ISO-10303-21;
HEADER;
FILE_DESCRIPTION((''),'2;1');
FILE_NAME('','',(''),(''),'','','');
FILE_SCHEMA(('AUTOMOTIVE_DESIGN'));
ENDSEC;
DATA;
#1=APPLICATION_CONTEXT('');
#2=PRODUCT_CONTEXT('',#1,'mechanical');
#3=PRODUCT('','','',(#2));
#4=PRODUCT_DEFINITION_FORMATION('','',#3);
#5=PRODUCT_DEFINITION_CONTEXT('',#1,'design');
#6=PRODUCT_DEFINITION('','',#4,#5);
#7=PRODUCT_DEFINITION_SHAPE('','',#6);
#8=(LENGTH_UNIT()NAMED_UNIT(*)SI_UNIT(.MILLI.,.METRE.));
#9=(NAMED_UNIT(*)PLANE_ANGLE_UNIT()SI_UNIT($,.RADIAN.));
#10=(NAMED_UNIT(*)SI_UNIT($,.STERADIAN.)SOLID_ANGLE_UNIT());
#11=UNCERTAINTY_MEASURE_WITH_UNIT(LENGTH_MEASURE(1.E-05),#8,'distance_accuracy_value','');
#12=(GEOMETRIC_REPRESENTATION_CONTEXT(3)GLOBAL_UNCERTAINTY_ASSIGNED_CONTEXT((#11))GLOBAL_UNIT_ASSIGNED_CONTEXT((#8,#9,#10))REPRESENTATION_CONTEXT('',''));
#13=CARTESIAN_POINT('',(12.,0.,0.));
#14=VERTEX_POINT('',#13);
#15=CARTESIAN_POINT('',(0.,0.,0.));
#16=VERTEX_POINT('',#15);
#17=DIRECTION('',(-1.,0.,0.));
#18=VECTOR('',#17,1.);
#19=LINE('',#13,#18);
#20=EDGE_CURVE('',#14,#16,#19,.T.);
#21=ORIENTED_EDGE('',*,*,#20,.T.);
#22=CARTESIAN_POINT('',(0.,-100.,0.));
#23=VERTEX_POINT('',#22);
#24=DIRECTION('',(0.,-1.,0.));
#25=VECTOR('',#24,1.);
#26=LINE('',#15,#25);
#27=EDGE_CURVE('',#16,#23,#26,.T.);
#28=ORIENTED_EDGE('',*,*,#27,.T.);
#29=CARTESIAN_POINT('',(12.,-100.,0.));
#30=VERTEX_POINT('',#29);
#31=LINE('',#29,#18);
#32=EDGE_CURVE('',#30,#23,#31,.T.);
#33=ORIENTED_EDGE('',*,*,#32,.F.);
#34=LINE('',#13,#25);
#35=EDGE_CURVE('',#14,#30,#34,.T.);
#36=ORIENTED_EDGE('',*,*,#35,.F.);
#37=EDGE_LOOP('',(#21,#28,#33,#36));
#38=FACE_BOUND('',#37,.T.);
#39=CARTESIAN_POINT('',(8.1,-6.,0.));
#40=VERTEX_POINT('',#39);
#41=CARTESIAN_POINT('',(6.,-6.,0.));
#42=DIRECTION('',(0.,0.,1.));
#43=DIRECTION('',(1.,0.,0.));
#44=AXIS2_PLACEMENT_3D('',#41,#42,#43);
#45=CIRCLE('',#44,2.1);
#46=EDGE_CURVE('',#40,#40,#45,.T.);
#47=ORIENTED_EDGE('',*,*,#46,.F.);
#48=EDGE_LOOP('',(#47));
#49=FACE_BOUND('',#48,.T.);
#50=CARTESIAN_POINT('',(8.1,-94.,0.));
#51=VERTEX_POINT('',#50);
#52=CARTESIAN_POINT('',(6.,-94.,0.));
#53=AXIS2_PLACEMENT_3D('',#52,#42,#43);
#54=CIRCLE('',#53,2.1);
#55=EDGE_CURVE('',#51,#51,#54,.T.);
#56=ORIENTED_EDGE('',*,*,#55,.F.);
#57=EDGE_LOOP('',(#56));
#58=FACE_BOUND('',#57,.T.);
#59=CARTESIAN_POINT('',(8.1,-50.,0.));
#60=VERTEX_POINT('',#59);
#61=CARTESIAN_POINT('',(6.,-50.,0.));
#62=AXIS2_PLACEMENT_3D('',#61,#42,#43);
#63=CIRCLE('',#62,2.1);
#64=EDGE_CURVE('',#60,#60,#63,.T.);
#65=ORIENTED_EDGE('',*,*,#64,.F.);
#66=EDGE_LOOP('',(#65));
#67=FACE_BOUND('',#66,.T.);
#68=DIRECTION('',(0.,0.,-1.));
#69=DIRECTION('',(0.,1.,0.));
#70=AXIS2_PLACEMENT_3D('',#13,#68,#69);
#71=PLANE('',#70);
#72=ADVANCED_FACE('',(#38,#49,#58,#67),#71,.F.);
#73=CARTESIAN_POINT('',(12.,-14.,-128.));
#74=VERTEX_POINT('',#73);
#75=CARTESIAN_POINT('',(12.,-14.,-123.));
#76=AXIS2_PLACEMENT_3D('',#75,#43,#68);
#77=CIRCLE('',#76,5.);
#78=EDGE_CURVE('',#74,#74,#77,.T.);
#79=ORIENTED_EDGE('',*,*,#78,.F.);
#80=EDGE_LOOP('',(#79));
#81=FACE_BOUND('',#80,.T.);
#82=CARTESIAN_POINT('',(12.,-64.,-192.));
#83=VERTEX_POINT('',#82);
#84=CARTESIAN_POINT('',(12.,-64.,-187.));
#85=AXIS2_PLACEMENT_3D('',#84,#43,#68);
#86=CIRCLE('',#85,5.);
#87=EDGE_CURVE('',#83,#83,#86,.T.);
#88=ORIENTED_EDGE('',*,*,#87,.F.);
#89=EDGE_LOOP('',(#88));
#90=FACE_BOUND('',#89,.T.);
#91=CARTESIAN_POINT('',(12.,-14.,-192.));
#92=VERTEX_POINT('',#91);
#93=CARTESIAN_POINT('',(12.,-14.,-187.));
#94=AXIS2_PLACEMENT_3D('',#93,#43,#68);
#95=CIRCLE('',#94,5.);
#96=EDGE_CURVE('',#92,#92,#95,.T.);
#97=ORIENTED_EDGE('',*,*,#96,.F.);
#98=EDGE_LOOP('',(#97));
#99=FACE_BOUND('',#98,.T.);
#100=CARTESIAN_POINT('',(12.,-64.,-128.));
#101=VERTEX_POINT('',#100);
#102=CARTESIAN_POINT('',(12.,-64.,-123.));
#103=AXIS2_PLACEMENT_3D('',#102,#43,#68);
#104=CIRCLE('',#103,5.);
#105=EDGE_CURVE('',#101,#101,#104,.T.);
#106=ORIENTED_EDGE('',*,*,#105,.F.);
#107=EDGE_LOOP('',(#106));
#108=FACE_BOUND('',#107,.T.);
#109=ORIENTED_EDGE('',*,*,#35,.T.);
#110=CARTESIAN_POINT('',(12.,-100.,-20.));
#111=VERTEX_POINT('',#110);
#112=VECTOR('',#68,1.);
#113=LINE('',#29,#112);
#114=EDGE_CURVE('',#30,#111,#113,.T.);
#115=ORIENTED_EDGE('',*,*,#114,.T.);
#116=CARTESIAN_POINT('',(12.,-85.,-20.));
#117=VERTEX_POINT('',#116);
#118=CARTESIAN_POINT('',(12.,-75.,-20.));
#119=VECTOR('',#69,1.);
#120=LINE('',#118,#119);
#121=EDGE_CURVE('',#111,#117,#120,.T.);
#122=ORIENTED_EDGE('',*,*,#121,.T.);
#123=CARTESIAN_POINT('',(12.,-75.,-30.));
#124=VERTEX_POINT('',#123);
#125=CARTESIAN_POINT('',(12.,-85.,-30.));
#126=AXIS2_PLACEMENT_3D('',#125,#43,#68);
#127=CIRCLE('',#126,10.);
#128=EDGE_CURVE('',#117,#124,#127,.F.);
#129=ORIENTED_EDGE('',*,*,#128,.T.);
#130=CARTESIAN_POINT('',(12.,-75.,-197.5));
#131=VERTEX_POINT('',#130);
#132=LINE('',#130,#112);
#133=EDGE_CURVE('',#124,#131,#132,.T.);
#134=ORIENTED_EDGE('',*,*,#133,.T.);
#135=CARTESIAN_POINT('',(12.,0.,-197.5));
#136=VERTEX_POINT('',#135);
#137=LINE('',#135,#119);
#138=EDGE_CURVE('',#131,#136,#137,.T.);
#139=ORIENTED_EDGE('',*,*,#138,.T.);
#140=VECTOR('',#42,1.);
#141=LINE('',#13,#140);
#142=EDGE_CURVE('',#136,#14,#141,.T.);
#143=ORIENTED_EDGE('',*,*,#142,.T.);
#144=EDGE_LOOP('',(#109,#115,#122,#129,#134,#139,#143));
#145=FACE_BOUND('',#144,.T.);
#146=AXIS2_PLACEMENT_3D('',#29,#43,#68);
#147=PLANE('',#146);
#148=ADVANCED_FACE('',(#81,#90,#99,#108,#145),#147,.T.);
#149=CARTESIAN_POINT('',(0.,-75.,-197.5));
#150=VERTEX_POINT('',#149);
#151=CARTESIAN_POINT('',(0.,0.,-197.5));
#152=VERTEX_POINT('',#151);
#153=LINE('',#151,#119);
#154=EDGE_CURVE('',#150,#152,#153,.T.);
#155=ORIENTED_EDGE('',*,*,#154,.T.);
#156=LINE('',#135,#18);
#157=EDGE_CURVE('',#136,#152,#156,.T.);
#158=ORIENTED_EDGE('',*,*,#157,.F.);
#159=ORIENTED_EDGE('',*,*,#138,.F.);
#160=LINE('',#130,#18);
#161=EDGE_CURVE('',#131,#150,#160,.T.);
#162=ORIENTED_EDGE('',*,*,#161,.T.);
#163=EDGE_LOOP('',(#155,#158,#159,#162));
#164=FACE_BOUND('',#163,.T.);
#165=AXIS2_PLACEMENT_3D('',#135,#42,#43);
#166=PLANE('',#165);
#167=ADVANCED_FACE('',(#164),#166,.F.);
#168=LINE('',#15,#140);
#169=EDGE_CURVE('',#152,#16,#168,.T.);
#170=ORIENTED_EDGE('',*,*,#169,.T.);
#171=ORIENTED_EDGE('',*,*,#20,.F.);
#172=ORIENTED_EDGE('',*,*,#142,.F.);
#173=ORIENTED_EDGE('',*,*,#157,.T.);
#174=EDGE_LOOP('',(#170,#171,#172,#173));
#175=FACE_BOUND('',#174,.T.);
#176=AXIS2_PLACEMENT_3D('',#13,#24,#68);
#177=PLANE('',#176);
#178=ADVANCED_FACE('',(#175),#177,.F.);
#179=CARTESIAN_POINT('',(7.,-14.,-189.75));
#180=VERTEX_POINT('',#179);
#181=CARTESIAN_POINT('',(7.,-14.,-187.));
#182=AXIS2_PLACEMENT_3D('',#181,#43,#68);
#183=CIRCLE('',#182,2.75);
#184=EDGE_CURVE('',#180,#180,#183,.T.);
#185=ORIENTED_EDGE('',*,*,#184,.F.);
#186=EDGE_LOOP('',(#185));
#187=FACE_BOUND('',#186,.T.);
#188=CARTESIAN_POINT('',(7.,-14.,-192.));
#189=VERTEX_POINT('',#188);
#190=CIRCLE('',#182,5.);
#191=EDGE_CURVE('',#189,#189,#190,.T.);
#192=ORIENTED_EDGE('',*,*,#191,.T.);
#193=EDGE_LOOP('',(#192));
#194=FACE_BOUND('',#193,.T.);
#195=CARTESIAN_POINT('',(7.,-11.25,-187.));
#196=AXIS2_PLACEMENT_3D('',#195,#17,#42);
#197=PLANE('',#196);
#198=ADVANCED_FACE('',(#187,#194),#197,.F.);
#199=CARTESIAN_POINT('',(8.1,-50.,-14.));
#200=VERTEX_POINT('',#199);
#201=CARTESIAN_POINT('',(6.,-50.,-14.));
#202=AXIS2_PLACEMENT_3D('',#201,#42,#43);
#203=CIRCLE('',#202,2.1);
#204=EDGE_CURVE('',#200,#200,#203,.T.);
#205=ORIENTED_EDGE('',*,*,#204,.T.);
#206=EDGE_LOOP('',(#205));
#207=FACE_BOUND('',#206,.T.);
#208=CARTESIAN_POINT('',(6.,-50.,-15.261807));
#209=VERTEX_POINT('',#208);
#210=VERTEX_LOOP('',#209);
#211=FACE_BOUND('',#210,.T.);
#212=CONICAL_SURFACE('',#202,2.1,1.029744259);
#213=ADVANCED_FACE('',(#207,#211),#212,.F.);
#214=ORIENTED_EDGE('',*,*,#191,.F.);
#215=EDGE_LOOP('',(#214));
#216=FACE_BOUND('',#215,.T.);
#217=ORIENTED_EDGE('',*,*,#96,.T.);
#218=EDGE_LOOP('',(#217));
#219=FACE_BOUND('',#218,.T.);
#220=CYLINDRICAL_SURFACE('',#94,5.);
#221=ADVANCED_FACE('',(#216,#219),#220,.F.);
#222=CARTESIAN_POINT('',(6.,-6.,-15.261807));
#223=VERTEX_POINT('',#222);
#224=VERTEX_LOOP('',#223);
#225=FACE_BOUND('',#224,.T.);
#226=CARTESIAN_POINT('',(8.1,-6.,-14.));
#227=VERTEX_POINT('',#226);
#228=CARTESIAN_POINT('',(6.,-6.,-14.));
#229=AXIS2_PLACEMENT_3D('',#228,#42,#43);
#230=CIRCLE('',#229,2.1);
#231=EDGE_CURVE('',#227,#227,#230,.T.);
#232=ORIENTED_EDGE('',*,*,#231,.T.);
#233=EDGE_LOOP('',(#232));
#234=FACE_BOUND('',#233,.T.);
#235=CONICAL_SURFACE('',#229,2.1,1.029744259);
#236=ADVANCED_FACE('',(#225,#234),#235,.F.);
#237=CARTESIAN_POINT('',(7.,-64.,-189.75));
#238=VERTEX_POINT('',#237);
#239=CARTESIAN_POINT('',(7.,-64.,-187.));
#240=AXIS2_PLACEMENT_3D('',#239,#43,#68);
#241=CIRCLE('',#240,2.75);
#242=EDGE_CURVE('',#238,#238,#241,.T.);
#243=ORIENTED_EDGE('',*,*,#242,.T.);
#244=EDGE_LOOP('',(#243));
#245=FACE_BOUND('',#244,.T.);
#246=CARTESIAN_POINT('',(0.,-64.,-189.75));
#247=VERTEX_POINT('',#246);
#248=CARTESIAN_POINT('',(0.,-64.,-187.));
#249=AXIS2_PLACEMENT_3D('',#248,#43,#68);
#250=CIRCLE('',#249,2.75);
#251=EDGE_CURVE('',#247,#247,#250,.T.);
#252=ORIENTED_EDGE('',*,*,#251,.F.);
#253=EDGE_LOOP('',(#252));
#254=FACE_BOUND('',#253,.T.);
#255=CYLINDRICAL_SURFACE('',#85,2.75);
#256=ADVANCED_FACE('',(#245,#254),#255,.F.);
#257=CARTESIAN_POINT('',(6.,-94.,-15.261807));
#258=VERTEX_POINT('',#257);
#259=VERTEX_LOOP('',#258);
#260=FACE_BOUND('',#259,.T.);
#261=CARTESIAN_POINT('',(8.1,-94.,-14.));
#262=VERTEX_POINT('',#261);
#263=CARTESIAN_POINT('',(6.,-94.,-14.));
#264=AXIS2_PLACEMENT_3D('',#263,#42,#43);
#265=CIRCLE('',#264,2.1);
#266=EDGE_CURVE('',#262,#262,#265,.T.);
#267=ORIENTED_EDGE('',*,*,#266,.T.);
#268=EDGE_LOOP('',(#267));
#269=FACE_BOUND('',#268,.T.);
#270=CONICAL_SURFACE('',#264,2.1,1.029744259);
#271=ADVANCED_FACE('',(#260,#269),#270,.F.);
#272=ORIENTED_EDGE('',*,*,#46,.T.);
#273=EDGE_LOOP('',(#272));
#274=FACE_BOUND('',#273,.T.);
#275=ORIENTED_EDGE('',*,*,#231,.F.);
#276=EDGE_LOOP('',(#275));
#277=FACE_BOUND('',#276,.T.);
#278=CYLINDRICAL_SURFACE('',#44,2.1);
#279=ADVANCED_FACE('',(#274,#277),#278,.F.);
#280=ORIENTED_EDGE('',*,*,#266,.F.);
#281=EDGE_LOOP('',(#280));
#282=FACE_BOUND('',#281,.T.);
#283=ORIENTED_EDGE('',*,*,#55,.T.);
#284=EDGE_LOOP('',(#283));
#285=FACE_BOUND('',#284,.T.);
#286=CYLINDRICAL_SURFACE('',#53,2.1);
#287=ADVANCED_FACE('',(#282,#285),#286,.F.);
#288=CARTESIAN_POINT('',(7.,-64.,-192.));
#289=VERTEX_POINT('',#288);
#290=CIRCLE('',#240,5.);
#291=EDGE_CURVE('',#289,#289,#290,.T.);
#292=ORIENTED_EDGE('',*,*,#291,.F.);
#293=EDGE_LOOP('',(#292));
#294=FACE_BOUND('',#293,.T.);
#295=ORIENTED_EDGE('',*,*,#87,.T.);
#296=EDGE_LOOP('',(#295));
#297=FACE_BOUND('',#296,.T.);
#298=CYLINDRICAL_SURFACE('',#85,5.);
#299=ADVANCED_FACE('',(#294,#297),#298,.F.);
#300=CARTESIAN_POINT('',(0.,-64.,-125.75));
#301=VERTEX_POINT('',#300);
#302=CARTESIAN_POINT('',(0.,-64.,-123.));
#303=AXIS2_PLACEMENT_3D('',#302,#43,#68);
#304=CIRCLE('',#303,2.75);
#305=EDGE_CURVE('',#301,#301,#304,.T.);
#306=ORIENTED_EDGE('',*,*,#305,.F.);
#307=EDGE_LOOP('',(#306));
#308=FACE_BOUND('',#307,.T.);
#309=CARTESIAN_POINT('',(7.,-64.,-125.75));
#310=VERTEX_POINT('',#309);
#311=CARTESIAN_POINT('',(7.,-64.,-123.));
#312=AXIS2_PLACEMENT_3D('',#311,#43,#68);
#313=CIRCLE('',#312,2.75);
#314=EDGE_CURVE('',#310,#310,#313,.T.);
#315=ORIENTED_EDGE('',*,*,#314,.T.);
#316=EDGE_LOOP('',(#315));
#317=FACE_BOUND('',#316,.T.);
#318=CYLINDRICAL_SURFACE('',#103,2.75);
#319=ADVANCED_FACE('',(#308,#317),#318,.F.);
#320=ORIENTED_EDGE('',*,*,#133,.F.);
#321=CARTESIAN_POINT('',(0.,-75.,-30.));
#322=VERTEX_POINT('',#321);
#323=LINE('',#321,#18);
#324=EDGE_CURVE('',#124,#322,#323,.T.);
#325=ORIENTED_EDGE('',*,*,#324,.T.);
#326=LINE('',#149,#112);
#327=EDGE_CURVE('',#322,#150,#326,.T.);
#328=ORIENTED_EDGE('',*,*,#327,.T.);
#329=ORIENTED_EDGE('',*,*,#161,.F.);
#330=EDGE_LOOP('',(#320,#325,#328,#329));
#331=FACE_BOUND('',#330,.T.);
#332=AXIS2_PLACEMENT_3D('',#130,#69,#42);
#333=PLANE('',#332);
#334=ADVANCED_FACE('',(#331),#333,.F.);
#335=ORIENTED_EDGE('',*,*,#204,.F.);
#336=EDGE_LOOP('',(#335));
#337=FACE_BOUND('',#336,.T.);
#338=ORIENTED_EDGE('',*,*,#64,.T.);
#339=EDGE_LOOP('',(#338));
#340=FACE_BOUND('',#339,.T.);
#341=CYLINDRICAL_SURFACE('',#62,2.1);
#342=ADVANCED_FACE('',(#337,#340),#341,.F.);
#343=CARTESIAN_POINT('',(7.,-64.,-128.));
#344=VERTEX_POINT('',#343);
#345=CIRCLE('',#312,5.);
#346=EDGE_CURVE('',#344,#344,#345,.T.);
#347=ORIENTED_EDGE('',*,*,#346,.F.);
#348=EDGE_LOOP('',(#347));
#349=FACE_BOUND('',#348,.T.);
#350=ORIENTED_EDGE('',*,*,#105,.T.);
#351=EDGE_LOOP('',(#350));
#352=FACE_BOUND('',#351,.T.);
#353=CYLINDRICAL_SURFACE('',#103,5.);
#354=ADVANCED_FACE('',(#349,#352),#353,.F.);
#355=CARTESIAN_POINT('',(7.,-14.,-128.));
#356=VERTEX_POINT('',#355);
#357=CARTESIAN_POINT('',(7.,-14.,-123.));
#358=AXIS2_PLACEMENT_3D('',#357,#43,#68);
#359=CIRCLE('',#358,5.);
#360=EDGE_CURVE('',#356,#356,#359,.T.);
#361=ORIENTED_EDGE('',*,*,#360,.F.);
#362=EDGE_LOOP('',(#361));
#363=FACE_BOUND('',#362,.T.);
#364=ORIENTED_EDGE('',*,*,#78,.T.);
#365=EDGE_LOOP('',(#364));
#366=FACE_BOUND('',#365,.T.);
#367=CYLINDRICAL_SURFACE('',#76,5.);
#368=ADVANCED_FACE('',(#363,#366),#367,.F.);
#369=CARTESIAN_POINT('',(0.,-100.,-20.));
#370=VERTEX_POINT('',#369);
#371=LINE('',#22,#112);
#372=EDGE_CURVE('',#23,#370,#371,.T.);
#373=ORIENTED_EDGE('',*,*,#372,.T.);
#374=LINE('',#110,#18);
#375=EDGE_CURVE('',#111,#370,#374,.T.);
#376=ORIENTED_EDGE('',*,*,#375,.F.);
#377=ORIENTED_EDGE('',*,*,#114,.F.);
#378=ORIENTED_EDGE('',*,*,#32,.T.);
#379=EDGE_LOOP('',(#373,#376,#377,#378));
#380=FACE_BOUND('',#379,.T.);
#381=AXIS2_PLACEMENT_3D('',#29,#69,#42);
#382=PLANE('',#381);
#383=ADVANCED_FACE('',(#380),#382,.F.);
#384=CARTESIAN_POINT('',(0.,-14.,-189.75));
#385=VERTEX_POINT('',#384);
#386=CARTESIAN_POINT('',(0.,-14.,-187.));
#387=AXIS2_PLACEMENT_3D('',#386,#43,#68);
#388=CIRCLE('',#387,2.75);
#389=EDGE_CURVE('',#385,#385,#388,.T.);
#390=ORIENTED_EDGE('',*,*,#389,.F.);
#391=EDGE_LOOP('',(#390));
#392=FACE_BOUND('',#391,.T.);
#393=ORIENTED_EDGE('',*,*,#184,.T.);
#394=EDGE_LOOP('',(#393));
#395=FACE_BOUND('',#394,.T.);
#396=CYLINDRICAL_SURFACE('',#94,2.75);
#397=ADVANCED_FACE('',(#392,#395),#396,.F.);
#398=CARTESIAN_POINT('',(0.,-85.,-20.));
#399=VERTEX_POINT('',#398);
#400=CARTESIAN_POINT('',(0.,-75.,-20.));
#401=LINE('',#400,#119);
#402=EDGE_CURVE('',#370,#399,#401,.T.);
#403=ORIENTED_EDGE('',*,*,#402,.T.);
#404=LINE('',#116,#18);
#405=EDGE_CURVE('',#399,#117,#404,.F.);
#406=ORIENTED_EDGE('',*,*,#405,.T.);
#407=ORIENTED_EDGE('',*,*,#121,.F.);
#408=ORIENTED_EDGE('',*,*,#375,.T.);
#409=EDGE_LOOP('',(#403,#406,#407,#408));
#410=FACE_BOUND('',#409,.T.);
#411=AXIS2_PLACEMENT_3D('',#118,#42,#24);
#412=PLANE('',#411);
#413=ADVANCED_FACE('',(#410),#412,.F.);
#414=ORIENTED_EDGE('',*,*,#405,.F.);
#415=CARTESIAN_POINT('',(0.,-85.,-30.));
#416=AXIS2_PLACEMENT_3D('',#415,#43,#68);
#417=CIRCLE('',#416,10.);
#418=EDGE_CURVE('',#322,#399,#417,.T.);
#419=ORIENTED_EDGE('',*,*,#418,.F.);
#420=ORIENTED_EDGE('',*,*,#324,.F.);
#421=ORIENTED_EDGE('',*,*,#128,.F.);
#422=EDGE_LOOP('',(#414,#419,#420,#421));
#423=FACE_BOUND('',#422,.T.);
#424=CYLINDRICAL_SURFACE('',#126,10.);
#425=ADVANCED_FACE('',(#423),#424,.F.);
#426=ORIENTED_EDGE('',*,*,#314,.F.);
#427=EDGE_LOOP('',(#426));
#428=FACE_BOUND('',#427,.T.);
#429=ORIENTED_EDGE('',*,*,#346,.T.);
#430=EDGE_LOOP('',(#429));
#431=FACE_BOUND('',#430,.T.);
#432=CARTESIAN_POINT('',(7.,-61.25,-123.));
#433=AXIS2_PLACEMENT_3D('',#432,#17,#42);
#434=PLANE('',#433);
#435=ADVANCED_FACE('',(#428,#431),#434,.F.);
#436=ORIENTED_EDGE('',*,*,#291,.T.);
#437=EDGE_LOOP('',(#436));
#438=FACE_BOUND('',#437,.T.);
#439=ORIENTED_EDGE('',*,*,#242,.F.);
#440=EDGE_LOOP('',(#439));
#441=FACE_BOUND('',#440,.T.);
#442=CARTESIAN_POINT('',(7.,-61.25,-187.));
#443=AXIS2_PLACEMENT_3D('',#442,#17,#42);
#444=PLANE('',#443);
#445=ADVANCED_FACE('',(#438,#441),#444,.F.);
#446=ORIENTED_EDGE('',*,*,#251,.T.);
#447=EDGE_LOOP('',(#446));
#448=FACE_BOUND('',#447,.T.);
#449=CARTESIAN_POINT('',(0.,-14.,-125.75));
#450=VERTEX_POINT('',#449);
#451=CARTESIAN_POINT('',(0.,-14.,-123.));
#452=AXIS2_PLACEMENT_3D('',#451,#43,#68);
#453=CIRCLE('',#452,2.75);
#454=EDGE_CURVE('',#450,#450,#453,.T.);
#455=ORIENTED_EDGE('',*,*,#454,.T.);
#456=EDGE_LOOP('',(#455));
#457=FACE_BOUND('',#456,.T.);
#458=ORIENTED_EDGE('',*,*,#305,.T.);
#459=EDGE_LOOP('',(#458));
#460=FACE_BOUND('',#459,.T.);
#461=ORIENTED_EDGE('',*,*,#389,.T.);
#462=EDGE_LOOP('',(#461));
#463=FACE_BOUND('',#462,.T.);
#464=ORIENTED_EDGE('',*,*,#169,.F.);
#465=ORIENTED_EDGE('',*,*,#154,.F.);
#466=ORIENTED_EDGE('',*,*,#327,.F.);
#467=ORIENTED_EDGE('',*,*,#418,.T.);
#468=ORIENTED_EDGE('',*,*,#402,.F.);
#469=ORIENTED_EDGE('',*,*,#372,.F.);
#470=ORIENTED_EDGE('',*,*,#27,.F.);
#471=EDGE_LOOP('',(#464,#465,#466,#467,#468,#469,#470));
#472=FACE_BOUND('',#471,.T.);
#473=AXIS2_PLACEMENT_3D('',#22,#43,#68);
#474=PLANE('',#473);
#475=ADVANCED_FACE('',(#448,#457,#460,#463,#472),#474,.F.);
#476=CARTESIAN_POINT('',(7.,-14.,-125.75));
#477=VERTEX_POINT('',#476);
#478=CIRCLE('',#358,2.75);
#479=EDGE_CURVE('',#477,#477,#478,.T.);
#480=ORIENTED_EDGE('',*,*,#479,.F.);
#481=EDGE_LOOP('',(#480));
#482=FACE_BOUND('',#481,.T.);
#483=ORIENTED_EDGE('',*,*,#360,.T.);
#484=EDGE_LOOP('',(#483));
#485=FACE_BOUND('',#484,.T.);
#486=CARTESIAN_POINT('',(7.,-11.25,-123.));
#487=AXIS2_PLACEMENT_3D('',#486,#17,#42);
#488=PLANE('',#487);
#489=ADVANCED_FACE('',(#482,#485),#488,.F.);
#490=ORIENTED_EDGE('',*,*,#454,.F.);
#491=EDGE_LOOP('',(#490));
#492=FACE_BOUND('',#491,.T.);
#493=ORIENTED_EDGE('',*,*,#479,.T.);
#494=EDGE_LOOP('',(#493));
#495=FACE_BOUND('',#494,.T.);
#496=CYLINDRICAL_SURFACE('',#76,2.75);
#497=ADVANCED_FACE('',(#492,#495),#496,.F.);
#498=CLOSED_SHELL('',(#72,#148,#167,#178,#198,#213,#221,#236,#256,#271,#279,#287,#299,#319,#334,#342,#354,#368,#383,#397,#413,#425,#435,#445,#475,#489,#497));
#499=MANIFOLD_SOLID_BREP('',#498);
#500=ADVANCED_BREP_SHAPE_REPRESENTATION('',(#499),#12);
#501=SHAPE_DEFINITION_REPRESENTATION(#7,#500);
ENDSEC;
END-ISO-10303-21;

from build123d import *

# Parameters (mm, degrees)
BOSS_EXTRUDE1_DEPTH                             = 12
FILLET1_R                                       = 10
M5X0_8_TAPPED_HOLE1_D                           = 4.2
M5X0_8_TAPPED_HOLE1_DEPTH                       = 14
M5X0_8_TAPPED_HOLE1_TIP                         = 1.2618073
CBORE_FOR_M5_SOCKET_HEAD_CAP_SCREW1_D           = 5.5
CBORE_FOR_M5_SOCKET_HEAD_CAP_SCREW1_CBORE_D     = 10
CBORE_FOR_M5_SOCKET_HEAD_CAP_SCREW1_CBORE_DEPTH = 5


with BuildPart() as part:
    # Sketch1 → Boss-Extrude1 (new body)
    with BuildSketch(Plane(origin=(0, 0, 0), x_dir=(0, 0, -1), z_dir=(1, 0, 0))):
        Polygon((0, 0), (197.5, 0), (197.5, -75), (20, -75), (20, -100), (0, -100), align=None)
    extrude(amount=BOSS_EXTRUDE1_DEPTH)

    # Fillet1
    fillet1_edges = [part.edges().sort_by_distance(p)[0] for p in [
        (6, -75, -20),
    ]]
    fillet(fillet1_edges, radius=FILLET1_R)

    # M5x0.8 Tapped Hole1
    with Locations(Plane.XY):
        with Locations((6, -6), (6, -50), (6, -94)):
            Hole(M5X0_8_TAPPED_HOLE1_D / 2, depth=M5X0_8_TAPPED_HOLE1_DEPTH)
            with Locations((0, 0, -(M5X0_8_TAPPED_HOLE1_DEPTH + M5X0_8_TAPPED_HOLE1_TIP / 2))):  # 118° drill point
                Cone(0, M5X0_8_TAPPED_HOLE1_D / 2, M5X0_8_TAPPED_HOLE1_TIP, mode=Mode.SUBTRACT)

    # CBORE for M5 Socket Head Cap Screw1 (through all)
    with Locations(Plane(origin=(12, 0, 0), x_dir=(0, 0, -1), z_dir=(1, 0, 0))):
        with Locations((123, -14), (123, -64), (187, -64), (187, -14)):
            CounterBoreHole(CBORE_FOR_M5_SOCKET_HEAD_CAP_SCREW1_D / 2, CBORE_FOR_M5_SOCKET_HEAD_CAP_SCREW1_CBORE_D / 2, CBORE_FOR_M5_SOCKET_HEAD_CAP_SCREW1_CBORE_DEPTH)


solid = part.part
